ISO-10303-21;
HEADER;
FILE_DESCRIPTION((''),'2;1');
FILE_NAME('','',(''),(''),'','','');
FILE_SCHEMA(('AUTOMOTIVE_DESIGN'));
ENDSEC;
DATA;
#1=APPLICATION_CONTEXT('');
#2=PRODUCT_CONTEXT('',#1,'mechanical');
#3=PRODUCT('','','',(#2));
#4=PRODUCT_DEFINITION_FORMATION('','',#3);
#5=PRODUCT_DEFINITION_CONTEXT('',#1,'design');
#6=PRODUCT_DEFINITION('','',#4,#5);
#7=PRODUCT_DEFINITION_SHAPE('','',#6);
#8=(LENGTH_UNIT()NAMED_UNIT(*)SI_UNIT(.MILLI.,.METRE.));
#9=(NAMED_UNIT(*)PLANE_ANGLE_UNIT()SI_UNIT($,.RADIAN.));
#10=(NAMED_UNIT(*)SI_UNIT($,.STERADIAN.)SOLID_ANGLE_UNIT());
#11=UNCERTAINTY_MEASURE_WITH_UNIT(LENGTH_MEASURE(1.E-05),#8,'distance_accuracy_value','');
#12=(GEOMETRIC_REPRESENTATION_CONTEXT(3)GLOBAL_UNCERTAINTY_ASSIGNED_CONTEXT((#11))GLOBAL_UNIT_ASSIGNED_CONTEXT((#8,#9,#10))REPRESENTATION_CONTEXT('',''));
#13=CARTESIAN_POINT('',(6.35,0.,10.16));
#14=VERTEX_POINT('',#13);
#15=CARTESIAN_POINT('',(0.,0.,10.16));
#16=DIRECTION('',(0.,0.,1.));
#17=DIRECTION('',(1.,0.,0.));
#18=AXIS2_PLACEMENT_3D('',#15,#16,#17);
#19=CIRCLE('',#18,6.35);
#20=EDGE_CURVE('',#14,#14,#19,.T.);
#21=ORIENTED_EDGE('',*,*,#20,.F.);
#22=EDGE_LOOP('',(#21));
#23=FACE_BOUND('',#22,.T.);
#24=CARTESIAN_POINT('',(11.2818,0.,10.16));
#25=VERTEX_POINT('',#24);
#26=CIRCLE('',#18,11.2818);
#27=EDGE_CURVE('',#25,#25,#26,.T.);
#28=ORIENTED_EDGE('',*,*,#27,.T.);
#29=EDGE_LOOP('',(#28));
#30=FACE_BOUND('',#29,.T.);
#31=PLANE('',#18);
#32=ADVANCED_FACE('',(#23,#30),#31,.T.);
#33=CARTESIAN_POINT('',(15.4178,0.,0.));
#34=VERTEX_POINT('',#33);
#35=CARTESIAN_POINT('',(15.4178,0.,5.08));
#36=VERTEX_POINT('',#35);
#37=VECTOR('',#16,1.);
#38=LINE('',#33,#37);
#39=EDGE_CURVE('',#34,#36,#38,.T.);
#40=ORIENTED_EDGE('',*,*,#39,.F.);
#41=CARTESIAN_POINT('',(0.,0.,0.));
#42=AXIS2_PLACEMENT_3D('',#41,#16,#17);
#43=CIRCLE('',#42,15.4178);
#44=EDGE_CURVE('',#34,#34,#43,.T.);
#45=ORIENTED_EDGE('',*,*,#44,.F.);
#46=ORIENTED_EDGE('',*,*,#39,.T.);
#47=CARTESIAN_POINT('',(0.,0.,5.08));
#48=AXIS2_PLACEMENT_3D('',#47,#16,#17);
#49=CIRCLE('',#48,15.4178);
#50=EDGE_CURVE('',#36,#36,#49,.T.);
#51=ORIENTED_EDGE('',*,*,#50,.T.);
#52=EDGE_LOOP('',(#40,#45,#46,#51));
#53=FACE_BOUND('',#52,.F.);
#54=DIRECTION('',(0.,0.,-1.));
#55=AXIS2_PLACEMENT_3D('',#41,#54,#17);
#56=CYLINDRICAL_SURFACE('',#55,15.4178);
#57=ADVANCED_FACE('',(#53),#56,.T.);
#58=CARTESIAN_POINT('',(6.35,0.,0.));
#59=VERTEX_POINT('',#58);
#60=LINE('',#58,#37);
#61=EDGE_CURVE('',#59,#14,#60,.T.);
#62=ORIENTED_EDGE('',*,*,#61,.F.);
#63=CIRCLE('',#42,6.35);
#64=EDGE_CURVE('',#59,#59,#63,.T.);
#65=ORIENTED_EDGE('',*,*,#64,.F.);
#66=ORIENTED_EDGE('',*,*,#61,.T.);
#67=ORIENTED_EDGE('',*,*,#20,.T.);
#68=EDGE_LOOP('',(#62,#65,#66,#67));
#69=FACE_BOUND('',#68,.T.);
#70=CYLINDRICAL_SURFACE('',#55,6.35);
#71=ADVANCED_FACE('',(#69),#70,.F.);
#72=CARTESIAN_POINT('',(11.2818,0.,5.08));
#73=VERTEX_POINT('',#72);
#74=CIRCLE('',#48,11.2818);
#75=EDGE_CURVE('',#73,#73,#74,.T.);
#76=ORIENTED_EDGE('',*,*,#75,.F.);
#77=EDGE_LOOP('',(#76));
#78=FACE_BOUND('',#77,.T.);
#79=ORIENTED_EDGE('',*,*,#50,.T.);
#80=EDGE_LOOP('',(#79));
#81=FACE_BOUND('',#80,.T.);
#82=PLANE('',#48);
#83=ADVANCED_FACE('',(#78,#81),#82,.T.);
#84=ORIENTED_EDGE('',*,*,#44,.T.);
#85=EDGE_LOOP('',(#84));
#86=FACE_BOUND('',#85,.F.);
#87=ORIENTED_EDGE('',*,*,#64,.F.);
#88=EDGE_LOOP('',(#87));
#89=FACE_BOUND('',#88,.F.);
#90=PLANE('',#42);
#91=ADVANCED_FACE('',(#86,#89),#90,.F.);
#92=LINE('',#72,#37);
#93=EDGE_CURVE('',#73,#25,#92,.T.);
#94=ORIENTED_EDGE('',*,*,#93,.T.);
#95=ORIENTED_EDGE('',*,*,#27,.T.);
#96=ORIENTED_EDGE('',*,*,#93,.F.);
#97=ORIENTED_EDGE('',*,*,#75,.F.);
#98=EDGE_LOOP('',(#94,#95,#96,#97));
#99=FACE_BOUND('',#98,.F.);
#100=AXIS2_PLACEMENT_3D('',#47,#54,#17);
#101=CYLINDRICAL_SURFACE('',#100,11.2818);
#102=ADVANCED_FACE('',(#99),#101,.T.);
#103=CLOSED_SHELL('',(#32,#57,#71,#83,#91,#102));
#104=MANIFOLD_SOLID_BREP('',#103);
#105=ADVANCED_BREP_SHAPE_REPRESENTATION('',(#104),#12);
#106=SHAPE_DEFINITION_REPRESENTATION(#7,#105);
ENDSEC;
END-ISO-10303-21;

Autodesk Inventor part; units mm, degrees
ref_plane "YZ Plane" through (0, 0, 0) normal (1, 0, 0) x (0, 1, 0)
ref_plane "XZ Plane" through (0, 0, 0) normal (0, 1, 0) x (-1, 0, 0)
ref_plane "XY Plane" through (0, 0, 0) normal (0, 0, 1) x (1, 0, 0)
sketch "Sketch1" plane through (0, 0, 0) normal (0, 0, 1) x (1, 0, 0)
  circle A0 centre (0, 0) radius 6.35
  circle A1 centre (0, 0) radius 15.4178
  dimension "d0" = 12.7
  dimension "d1" = 30.8356
extrude "Extrusion1" add sketch "Sketch1" along normal blind 5.08
sketch "Sketch2" plane through (0, 0, 5.08) normal (0, 0, 1) x (1, 0, 0)
  circle A0 centre (0, 0) radius 6.35 projected
  circle A1 centre (0, 0) radius 15.4178 projected
  circle A2 centre (0, 0) radius 11.2818
extrude "Extrusion2" add sketch "Sketch2" along normal blind 5.08 contours A2
properties part number "sprocket"
